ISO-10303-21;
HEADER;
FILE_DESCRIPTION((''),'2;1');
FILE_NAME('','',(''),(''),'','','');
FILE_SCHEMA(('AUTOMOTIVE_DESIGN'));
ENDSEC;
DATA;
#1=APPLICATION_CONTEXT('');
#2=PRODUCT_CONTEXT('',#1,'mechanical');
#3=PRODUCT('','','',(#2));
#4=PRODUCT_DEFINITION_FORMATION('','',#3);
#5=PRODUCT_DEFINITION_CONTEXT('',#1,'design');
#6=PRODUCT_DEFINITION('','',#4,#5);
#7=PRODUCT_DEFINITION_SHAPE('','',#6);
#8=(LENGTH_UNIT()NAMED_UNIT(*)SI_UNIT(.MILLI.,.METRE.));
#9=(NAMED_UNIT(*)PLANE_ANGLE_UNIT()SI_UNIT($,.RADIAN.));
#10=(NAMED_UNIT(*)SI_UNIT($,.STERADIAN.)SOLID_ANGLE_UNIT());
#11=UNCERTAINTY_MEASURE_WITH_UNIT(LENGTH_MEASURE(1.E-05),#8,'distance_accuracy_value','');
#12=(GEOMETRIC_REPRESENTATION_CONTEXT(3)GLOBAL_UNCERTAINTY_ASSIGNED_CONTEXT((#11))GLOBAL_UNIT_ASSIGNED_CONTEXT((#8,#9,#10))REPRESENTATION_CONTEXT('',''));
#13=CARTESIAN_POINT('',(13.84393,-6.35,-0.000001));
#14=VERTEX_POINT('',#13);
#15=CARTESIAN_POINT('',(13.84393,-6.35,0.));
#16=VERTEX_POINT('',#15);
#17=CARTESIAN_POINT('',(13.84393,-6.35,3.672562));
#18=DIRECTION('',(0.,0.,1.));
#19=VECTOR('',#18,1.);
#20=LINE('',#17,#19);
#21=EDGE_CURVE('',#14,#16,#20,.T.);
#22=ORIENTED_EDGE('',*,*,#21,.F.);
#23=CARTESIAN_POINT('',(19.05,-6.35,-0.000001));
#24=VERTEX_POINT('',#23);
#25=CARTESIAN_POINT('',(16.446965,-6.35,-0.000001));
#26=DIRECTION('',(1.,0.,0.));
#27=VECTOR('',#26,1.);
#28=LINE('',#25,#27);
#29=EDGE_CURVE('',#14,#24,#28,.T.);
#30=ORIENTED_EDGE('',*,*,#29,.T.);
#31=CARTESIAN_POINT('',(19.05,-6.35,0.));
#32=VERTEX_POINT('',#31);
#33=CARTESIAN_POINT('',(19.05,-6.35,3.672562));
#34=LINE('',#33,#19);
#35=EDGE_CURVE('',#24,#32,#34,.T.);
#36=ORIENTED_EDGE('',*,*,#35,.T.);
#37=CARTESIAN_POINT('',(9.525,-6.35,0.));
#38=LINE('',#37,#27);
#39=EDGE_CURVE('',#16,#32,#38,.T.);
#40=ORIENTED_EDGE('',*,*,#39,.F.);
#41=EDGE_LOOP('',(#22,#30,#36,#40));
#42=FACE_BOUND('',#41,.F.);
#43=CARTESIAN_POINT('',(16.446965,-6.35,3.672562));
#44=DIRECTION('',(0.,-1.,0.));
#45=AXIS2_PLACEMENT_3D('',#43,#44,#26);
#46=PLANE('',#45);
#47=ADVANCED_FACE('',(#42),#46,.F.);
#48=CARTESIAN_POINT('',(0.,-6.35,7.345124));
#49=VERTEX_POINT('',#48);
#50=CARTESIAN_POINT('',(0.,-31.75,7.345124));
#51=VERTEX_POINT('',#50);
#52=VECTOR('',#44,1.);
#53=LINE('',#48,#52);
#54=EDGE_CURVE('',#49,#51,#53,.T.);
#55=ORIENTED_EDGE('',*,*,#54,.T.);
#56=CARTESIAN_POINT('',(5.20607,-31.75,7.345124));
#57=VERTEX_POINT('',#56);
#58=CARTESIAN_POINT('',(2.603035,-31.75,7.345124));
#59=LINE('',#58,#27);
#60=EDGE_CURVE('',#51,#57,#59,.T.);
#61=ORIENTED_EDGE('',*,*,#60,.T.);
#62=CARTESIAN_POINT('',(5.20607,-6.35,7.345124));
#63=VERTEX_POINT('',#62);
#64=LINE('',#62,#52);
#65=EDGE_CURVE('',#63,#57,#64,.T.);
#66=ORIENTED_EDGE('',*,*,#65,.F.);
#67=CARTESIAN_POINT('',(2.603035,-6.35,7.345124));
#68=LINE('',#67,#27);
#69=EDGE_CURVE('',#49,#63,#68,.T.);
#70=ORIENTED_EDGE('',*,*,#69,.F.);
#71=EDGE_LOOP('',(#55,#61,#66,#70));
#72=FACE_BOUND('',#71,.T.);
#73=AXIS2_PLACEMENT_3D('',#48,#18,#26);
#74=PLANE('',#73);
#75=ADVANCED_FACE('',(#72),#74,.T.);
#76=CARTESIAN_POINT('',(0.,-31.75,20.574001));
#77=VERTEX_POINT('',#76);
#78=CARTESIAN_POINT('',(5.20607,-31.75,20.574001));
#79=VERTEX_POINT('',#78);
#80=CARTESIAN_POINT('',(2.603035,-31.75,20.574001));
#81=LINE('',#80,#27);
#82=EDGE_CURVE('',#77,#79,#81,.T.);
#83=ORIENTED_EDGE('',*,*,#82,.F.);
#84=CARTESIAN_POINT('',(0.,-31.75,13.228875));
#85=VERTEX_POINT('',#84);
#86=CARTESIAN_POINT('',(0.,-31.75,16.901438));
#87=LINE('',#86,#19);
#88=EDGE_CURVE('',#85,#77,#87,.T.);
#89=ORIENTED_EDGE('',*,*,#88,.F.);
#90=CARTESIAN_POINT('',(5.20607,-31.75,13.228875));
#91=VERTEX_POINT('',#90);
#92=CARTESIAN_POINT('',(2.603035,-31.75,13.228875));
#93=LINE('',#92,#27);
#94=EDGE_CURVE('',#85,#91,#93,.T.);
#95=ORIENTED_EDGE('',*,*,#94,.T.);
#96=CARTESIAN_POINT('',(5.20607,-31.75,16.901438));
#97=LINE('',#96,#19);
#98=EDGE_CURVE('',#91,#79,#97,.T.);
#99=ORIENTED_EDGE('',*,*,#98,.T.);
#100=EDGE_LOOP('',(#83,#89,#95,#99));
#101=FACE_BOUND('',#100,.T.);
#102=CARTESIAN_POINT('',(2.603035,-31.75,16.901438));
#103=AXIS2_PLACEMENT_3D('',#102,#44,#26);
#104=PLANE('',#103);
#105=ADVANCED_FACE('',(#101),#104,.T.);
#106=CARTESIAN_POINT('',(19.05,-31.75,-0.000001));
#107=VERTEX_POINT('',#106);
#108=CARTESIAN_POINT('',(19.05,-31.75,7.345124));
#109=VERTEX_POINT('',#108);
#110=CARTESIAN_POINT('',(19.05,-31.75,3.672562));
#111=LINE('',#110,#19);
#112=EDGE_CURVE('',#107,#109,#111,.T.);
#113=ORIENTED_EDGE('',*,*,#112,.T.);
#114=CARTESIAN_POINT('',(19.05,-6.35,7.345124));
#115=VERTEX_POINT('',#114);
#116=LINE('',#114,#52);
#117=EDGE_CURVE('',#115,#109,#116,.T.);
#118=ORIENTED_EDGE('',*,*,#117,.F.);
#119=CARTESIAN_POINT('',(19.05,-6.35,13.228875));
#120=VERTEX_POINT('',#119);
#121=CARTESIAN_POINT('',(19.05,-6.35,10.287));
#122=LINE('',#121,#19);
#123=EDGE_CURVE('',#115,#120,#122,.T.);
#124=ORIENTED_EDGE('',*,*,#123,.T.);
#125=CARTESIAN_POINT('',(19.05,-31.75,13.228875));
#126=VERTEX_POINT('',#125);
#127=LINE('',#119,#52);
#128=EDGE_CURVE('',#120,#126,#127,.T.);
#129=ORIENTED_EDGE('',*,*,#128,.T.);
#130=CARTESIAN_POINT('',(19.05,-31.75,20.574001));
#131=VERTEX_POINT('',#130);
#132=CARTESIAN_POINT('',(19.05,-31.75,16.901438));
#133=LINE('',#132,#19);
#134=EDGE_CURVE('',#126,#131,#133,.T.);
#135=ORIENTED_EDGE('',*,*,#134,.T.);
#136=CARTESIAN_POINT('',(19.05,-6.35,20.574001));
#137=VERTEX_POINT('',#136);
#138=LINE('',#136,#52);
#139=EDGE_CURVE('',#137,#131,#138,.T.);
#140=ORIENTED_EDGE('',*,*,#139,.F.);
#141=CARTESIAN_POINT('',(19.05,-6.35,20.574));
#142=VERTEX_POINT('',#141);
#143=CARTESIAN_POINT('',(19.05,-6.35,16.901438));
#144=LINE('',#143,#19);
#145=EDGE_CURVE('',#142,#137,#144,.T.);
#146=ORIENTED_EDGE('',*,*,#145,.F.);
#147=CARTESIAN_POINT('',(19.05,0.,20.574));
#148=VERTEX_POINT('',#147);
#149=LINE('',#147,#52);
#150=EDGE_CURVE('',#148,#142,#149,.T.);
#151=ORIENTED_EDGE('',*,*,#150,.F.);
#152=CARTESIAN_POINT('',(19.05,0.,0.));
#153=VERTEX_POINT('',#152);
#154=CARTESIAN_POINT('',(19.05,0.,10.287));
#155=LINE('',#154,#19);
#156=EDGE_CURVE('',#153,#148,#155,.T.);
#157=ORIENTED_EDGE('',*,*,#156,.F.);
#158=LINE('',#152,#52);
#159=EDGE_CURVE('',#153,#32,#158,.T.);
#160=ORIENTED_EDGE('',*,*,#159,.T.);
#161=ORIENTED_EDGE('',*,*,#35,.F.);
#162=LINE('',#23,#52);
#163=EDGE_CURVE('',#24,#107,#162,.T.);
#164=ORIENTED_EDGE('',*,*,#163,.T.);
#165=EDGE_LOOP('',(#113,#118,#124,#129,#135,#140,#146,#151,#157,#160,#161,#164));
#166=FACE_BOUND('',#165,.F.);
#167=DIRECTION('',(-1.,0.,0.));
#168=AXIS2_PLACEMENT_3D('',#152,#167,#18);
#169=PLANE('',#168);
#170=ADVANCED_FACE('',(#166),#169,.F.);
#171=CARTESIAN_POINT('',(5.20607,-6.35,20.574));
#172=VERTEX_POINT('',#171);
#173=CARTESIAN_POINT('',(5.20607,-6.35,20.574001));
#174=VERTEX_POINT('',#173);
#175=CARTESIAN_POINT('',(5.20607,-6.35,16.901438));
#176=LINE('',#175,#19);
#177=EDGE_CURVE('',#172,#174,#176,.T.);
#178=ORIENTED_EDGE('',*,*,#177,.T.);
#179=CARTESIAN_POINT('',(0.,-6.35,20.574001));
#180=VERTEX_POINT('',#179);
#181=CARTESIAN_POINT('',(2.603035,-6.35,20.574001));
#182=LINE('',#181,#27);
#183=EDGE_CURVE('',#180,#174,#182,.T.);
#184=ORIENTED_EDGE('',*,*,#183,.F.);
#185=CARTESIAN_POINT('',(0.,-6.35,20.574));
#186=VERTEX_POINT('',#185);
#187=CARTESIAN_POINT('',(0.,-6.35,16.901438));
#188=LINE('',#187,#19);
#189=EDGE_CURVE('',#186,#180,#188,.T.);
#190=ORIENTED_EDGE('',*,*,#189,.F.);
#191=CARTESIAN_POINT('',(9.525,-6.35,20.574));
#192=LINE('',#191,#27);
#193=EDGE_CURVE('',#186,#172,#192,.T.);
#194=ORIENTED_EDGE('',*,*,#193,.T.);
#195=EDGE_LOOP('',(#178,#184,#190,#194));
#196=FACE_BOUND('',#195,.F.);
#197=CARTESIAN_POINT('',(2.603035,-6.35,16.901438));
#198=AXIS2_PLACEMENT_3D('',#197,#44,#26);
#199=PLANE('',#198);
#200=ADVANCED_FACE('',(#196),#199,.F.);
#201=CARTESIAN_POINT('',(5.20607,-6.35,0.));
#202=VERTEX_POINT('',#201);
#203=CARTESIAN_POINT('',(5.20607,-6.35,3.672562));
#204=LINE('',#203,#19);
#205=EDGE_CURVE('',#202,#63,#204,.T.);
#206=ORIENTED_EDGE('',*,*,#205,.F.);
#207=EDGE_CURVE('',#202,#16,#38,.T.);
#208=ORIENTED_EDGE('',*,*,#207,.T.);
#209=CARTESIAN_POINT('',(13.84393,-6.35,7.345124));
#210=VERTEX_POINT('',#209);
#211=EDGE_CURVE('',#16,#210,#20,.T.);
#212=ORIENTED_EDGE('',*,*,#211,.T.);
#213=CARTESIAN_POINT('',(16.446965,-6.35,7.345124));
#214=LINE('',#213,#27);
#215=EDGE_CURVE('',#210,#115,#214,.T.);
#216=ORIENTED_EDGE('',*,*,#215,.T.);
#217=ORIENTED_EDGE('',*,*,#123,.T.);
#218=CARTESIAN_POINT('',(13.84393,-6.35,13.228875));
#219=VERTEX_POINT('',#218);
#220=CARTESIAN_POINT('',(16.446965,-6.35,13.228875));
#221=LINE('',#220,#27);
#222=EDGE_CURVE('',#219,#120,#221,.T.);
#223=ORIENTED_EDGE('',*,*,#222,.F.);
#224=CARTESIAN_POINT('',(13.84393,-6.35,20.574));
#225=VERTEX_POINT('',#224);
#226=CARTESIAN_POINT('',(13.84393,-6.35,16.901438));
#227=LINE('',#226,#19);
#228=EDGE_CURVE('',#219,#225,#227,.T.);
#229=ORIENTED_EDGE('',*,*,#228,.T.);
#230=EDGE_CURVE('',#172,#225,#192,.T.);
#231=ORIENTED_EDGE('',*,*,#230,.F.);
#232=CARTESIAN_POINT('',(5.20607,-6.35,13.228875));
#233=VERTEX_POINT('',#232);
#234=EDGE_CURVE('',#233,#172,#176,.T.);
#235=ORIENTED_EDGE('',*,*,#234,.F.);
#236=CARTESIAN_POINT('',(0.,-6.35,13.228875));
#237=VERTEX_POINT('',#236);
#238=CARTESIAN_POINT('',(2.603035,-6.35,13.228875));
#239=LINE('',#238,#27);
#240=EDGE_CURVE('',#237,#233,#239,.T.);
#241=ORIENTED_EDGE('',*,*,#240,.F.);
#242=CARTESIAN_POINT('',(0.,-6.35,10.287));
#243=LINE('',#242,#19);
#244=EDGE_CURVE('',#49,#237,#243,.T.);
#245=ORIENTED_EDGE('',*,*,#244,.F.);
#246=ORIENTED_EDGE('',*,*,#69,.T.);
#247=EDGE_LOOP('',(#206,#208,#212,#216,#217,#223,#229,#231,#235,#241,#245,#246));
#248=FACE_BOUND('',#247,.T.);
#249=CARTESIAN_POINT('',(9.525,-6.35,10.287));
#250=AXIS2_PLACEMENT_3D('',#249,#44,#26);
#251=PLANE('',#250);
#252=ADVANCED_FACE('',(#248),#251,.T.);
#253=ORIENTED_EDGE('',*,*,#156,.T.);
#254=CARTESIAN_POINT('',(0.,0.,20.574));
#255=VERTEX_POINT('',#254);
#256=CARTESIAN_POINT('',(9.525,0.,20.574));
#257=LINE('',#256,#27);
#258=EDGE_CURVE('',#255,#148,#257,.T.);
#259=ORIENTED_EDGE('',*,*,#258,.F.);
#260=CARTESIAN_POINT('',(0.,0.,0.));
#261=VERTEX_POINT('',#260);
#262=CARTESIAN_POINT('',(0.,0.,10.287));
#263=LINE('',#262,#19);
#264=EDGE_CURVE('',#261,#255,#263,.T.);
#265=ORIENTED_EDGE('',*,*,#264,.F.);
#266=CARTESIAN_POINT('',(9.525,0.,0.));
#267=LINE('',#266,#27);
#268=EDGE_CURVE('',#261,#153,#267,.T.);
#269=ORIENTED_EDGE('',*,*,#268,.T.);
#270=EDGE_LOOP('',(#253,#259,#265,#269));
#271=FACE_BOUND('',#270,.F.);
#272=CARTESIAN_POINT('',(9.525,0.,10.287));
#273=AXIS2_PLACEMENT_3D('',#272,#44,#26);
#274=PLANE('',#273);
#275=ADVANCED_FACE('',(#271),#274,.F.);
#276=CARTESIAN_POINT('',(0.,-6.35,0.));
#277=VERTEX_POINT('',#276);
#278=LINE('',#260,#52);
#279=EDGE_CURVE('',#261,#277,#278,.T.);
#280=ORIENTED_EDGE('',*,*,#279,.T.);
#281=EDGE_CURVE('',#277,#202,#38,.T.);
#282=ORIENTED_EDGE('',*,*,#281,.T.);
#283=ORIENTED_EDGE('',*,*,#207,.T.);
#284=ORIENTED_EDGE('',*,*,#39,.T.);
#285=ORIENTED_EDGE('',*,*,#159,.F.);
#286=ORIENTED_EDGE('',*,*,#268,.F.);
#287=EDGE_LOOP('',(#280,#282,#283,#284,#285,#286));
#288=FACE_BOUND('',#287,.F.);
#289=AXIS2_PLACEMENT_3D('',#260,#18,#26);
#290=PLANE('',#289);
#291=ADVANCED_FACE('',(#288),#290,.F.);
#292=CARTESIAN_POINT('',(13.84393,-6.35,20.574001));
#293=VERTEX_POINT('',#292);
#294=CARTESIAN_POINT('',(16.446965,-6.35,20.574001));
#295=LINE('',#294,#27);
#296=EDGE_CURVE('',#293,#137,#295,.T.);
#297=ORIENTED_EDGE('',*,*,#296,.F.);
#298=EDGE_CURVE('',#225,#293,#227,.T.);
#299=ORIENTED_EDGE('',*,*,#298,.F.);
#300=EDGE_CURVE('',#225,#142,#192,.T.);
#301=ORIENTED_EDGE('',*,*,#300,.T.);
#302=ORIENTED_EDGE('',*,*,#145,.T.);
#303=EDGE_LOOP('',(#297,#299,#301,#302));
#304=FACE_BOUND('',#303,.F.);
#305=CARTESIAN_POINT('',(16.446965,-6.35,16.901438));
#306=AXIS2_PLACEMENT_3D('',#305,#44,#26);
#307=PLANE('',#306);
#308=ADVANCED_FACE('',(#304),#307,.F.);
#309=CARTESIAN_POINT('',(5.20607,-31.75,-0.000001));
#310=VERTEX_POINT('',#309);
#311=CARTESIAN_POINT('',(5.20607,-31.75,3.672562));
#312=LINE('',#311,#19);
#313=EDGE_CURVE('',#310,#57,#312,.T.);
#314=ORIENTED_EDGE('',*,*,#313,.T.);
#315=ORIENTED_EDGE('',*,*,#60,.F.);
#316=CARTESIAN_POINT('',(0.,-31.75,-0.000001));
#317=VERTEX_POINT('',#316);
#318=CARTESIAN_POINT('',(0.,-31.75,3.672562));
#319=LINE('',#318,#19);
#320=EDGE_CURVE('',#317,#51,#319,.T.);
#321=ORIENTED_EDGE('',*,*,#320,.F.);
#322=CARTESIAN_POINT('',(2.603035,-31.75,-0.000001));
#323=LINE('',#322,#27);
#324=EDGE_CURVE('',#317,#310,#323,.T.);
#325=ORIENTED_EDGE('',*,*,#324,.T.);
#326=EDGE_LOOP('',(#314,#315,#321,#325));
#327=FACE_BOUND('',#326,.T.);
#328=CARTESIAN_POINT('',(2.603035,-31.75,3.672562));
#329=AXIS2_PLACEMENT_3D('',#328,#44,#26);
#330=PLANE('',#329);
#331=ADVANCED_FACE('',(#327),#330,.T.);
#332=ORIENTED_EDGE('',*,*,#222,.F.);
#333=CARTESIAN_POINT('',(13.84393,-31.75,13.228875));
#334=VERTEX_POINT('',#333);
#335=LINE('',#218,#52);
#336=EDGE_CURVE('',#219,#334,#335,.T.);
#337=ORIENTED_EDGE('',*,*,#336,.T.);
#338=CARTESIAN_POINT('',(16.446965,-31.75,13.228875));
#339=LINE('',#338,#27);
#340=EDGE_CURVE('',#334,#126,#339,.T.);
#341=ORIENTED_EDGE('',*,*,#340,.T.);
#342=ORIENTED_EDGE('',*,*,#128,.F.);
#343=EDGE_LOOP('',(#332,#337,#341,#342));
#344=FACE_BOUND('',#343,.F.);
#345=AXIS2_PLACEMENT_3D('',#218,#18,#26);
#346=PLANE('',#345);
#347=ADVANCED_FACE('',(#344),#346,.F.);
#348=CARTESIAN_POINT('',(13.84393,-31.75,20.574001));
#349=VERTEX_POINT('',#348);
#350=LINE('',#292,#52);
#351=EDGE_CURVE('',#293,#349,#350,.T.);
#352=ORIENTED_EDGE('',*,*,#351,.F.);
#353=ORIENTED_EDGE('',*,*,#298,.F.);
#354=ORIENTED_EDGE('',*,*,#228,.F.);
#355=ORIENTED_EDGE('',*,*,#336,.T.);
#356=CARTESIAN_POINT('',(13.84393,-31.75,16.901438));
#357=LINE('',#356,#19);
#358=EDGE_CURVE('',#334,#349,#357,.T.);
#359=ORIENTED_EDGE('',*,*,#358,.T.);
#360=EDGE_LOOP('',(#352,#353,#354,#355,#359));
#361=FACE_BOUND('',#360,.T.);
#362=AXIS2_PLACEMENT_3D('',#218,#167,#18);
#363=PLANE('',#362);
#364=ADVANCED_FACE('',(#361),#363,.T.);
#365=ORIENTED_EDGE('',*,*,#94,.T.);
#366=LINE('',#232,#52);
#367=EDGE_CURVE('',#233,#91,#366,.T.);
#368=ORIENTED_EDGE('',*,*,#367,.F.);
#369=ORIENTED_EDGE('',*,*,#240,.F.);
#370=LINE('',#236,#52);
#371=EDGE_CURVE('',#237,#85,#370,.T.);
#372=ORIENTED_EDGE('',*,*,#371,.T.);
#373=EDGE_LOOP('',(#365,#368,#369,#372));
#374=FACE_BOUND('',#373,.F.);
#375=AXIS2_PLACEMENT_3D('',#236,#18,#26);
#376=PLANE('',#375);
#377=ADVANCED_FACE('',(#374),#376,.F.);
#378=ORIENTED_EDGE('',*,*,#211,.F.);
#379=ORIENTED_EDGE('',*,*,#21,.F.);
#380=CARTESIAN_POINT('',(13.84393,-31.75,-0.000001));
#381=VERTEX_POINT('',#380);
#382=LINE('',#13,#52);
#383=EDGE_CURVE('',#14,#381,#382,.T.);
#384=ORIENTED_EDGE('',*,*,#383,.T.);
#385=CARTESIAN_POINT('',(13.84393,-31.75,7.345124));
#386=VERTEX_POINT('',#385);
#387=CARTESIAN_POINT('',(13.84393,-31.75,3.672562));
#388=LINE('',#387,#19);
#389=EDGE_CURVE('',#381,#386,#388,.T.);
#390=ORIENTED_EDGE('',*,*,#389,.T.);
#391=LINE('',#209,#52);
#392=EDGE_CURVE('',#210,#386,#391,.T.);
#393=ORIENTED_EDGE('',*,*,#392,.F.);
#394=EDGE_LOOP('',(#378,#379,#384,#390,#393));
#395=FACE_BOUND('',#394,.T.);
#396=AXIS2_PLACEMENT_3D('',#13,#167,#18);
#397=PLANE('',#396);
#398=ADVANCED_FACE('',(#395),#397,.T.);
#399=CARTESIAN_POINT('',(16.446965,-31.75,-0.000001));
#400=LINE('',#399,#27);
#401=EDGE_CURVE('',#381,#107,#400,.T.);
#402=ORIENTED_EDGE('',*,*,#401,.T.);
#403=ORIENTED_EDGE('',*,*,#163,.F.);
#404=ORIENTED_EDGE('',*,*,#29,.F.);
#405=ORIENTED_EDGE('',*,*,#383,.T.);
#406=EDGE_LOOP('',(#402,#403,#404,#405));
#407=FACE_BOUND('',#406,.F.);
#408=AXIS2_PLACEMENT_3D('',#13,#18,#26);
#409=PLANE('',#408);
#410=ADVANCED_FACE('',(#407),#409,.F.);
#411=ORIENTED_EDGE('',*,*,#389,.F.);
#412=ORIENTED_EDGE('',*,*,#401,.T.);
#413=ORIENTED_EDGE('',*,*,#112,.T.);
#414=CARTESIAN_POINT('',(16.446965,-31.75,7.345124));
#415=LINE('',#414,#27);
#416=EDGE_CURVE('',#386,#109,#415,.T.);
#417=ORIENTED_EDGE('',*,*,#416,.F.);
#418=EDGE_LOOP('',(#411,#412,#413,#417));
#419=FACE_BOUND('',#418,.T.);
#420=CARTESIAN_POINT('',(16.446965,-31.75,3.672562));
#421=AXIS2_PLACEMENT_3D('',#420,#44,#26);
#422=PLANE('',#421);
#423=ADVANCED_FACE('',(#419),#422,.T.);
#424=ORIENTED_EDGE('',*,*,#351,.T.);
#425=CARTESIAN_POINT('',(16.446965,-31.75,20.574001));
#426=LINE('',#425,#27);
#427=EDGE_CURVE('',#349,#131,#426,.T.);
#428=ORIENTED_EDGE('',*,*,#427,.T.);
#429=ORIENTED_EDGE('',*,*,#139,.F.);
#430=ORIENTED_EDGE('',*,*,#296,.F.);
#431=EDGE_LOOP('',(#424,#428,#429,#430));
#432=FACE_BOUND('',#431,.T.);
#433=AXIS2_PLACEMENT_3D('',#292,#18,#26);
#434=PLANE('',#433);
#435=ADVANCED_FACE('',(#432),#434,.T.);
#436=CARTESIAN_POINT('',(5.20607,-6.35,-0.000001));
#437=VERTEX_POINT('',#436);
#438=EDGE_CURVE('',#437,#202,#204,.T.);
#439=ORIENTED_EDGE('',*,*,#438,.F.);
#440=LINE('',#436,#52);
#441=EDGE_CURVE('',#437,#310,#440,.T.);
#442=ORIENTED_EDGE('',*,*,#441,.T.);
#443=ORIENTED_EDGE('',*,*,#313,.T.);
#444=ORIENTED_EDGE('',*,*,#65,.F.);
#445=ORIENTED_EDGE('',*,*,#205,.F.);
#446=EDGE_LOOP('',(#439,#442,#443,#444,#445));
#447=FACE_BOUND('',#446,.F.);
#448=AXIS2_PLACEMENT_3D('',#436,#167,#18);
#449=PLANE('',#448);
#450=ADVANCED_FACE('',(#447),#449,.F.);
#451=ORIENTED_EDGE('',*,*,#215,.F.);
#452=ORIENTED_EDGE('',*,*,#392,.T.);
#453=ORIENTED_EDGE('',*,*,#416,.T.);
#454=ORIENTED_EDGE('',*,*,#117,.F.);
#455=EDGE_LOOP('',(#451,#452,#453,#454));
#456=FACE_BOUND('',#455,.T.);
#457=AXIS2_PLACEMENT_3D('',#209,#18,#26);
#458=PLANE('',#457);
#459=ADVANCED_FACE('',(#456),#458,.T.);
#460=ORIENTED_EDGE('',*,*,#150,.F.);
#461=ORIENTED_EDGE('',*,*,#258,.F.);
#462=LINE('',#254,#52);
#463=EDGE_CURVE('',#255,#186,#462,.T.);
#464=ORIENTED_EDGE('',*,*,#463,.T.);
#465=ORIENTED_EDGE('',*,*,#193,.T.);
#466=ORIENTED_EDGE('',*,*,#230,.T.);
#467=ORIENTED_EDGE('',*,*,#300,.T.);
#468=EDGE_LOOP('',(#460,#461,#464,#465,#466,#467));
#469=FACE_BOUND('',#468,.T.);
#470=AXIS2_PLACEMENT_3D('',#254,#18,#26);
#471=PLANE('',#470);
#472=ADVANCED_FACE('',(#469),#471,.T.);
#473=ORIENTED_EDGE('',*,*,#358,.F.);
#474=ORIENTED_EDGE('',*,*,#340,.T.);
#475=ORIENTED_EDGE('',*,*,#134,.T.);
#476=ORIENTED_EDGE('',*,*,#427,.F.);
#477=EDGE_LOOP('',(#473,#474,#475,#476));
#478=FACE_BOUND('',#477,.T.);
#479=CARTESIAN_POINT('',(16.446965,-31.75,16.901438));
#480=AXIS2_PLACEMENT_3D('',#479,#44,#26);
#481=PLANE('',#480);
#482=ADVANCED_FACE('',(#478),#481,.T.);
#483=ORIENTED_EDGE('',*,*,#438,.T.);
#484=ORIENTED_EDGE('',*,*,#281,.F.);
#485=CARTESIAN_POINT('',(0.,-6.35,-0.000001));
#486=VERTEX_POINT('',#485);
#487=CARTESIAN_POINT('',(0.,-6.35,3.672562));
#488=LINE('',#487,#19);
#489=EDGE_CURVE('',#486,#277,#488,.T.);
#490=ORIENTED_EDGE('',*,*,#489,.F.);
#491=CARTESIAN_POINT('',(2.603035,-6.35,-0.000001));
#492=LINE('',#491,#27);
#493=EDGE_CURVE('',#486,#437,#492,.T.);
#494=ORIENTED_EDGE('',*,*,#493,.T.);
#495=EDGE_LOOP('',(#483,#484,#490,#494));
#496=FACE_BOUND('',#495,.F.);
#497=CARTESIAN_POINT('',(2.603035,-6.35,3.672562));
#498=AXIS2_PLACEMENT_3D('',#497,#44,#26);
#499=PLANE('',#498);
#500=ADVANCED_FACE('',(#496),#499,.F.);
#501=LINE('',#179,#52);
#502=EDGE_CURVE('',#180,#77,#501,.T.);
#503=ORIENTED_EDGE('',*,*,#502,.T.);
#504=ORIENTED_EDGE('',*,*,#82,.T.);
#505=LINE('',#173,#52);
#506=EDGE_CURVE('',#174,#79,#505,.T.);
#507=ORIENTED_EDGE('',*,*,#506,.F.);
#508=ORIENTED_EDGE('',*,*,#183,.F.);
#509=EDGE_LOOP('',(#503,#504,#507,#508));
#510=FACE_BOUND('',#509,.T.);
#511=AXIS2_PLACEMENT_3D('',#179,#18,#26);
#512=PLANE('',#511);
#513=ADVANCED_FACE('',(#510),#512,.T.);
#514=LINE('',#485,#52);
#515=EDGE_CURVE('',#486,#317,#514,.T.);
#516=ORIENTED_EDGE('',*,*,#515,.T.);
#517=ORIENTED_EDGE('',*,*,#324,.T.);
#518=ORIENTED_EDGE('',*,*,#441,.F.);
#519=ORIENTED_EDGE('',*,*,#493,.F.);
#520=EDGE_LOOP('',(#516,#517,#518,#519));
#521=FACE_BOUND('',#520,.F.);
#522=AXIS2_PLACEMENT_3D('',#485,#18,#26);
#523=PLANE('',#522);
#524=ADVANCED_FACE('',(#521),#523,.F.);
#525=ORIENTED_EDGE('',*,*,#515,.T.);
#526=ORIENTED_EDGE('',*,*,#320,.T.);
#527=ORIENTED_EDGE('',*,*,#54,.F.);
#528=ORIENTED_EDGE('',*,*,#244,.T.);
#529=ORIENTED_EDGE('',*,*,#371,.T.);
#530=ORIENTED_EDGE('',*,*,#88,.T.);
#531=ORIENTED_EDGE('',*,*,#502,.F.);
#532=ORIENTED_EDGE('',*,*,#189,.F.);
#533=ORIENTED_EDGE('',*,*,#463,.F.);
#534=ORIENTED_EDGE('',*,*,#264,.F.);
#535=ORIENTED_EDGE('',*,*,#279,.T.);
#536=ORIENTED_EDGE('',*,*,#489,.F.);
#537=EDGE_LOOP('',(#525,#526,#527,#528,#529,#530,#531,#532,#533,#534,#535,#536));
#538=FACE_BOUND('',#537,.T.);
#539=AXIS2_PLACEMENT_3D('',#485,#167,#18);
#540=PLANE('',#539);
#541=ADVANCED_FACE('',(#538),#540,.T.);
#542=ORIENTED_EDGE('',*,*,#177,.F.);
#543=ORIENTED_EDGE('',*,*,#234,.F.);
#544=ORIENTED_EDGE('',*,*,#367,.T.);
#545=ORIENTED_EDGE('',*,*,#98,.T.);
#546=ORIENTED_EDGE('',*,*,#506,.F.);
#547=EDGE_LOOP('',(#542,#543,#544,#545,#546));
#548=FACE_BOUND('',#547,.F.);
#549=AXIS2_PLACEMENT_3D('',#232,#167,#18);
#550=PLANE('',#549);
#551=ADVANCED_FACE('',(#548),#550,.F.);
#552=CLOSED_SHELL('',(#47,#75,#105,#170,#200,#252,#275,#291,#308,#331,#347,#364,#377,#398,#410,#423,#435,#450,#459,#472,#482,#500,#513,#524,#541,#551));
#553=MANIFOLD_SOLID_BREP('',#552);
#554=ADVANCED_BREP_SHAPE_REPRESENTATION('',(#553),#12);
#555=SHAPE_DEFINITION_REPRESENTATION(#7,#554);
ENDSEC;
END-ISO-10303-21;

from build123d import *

# Parameters (mm, degrees)
F0_W     = 19.05
F0_H     = 20.574
F1_DEPTH = 6.35
F2_W     = 5.20607
F2_H     = 7.345125
F3_DEPTH = 25.4


with BuildPart() as f1:
    # F0 (on Front) → F1 (new body)
    with BuildSketch(Plane.XZ):
        with Locations((9.525, 10.287)):
            Rectangle(F0_W, F0_H)
    extrude(amount=F1_DEPTH)

    # F2 (on face) → F3 (join)
    with BuildSketch(Plane.XZ.offset(6.35)):
        with Locations((2.603035, 3.672562)):
            Rectangle(F2_W, F2_H)
        with Locations((2.603035, 16.901438)):
            Rectangle(F2_W, F2_H)
        with Locations((16.446965, 3.672562)):
            Rectangle(F2_W, F2_H)
        with Locations((16.446965, 16.901438)):
            Rectangle(F2_W, F2_H)
    extrude(amount=F3_DEPTH)


solid = f1.part
